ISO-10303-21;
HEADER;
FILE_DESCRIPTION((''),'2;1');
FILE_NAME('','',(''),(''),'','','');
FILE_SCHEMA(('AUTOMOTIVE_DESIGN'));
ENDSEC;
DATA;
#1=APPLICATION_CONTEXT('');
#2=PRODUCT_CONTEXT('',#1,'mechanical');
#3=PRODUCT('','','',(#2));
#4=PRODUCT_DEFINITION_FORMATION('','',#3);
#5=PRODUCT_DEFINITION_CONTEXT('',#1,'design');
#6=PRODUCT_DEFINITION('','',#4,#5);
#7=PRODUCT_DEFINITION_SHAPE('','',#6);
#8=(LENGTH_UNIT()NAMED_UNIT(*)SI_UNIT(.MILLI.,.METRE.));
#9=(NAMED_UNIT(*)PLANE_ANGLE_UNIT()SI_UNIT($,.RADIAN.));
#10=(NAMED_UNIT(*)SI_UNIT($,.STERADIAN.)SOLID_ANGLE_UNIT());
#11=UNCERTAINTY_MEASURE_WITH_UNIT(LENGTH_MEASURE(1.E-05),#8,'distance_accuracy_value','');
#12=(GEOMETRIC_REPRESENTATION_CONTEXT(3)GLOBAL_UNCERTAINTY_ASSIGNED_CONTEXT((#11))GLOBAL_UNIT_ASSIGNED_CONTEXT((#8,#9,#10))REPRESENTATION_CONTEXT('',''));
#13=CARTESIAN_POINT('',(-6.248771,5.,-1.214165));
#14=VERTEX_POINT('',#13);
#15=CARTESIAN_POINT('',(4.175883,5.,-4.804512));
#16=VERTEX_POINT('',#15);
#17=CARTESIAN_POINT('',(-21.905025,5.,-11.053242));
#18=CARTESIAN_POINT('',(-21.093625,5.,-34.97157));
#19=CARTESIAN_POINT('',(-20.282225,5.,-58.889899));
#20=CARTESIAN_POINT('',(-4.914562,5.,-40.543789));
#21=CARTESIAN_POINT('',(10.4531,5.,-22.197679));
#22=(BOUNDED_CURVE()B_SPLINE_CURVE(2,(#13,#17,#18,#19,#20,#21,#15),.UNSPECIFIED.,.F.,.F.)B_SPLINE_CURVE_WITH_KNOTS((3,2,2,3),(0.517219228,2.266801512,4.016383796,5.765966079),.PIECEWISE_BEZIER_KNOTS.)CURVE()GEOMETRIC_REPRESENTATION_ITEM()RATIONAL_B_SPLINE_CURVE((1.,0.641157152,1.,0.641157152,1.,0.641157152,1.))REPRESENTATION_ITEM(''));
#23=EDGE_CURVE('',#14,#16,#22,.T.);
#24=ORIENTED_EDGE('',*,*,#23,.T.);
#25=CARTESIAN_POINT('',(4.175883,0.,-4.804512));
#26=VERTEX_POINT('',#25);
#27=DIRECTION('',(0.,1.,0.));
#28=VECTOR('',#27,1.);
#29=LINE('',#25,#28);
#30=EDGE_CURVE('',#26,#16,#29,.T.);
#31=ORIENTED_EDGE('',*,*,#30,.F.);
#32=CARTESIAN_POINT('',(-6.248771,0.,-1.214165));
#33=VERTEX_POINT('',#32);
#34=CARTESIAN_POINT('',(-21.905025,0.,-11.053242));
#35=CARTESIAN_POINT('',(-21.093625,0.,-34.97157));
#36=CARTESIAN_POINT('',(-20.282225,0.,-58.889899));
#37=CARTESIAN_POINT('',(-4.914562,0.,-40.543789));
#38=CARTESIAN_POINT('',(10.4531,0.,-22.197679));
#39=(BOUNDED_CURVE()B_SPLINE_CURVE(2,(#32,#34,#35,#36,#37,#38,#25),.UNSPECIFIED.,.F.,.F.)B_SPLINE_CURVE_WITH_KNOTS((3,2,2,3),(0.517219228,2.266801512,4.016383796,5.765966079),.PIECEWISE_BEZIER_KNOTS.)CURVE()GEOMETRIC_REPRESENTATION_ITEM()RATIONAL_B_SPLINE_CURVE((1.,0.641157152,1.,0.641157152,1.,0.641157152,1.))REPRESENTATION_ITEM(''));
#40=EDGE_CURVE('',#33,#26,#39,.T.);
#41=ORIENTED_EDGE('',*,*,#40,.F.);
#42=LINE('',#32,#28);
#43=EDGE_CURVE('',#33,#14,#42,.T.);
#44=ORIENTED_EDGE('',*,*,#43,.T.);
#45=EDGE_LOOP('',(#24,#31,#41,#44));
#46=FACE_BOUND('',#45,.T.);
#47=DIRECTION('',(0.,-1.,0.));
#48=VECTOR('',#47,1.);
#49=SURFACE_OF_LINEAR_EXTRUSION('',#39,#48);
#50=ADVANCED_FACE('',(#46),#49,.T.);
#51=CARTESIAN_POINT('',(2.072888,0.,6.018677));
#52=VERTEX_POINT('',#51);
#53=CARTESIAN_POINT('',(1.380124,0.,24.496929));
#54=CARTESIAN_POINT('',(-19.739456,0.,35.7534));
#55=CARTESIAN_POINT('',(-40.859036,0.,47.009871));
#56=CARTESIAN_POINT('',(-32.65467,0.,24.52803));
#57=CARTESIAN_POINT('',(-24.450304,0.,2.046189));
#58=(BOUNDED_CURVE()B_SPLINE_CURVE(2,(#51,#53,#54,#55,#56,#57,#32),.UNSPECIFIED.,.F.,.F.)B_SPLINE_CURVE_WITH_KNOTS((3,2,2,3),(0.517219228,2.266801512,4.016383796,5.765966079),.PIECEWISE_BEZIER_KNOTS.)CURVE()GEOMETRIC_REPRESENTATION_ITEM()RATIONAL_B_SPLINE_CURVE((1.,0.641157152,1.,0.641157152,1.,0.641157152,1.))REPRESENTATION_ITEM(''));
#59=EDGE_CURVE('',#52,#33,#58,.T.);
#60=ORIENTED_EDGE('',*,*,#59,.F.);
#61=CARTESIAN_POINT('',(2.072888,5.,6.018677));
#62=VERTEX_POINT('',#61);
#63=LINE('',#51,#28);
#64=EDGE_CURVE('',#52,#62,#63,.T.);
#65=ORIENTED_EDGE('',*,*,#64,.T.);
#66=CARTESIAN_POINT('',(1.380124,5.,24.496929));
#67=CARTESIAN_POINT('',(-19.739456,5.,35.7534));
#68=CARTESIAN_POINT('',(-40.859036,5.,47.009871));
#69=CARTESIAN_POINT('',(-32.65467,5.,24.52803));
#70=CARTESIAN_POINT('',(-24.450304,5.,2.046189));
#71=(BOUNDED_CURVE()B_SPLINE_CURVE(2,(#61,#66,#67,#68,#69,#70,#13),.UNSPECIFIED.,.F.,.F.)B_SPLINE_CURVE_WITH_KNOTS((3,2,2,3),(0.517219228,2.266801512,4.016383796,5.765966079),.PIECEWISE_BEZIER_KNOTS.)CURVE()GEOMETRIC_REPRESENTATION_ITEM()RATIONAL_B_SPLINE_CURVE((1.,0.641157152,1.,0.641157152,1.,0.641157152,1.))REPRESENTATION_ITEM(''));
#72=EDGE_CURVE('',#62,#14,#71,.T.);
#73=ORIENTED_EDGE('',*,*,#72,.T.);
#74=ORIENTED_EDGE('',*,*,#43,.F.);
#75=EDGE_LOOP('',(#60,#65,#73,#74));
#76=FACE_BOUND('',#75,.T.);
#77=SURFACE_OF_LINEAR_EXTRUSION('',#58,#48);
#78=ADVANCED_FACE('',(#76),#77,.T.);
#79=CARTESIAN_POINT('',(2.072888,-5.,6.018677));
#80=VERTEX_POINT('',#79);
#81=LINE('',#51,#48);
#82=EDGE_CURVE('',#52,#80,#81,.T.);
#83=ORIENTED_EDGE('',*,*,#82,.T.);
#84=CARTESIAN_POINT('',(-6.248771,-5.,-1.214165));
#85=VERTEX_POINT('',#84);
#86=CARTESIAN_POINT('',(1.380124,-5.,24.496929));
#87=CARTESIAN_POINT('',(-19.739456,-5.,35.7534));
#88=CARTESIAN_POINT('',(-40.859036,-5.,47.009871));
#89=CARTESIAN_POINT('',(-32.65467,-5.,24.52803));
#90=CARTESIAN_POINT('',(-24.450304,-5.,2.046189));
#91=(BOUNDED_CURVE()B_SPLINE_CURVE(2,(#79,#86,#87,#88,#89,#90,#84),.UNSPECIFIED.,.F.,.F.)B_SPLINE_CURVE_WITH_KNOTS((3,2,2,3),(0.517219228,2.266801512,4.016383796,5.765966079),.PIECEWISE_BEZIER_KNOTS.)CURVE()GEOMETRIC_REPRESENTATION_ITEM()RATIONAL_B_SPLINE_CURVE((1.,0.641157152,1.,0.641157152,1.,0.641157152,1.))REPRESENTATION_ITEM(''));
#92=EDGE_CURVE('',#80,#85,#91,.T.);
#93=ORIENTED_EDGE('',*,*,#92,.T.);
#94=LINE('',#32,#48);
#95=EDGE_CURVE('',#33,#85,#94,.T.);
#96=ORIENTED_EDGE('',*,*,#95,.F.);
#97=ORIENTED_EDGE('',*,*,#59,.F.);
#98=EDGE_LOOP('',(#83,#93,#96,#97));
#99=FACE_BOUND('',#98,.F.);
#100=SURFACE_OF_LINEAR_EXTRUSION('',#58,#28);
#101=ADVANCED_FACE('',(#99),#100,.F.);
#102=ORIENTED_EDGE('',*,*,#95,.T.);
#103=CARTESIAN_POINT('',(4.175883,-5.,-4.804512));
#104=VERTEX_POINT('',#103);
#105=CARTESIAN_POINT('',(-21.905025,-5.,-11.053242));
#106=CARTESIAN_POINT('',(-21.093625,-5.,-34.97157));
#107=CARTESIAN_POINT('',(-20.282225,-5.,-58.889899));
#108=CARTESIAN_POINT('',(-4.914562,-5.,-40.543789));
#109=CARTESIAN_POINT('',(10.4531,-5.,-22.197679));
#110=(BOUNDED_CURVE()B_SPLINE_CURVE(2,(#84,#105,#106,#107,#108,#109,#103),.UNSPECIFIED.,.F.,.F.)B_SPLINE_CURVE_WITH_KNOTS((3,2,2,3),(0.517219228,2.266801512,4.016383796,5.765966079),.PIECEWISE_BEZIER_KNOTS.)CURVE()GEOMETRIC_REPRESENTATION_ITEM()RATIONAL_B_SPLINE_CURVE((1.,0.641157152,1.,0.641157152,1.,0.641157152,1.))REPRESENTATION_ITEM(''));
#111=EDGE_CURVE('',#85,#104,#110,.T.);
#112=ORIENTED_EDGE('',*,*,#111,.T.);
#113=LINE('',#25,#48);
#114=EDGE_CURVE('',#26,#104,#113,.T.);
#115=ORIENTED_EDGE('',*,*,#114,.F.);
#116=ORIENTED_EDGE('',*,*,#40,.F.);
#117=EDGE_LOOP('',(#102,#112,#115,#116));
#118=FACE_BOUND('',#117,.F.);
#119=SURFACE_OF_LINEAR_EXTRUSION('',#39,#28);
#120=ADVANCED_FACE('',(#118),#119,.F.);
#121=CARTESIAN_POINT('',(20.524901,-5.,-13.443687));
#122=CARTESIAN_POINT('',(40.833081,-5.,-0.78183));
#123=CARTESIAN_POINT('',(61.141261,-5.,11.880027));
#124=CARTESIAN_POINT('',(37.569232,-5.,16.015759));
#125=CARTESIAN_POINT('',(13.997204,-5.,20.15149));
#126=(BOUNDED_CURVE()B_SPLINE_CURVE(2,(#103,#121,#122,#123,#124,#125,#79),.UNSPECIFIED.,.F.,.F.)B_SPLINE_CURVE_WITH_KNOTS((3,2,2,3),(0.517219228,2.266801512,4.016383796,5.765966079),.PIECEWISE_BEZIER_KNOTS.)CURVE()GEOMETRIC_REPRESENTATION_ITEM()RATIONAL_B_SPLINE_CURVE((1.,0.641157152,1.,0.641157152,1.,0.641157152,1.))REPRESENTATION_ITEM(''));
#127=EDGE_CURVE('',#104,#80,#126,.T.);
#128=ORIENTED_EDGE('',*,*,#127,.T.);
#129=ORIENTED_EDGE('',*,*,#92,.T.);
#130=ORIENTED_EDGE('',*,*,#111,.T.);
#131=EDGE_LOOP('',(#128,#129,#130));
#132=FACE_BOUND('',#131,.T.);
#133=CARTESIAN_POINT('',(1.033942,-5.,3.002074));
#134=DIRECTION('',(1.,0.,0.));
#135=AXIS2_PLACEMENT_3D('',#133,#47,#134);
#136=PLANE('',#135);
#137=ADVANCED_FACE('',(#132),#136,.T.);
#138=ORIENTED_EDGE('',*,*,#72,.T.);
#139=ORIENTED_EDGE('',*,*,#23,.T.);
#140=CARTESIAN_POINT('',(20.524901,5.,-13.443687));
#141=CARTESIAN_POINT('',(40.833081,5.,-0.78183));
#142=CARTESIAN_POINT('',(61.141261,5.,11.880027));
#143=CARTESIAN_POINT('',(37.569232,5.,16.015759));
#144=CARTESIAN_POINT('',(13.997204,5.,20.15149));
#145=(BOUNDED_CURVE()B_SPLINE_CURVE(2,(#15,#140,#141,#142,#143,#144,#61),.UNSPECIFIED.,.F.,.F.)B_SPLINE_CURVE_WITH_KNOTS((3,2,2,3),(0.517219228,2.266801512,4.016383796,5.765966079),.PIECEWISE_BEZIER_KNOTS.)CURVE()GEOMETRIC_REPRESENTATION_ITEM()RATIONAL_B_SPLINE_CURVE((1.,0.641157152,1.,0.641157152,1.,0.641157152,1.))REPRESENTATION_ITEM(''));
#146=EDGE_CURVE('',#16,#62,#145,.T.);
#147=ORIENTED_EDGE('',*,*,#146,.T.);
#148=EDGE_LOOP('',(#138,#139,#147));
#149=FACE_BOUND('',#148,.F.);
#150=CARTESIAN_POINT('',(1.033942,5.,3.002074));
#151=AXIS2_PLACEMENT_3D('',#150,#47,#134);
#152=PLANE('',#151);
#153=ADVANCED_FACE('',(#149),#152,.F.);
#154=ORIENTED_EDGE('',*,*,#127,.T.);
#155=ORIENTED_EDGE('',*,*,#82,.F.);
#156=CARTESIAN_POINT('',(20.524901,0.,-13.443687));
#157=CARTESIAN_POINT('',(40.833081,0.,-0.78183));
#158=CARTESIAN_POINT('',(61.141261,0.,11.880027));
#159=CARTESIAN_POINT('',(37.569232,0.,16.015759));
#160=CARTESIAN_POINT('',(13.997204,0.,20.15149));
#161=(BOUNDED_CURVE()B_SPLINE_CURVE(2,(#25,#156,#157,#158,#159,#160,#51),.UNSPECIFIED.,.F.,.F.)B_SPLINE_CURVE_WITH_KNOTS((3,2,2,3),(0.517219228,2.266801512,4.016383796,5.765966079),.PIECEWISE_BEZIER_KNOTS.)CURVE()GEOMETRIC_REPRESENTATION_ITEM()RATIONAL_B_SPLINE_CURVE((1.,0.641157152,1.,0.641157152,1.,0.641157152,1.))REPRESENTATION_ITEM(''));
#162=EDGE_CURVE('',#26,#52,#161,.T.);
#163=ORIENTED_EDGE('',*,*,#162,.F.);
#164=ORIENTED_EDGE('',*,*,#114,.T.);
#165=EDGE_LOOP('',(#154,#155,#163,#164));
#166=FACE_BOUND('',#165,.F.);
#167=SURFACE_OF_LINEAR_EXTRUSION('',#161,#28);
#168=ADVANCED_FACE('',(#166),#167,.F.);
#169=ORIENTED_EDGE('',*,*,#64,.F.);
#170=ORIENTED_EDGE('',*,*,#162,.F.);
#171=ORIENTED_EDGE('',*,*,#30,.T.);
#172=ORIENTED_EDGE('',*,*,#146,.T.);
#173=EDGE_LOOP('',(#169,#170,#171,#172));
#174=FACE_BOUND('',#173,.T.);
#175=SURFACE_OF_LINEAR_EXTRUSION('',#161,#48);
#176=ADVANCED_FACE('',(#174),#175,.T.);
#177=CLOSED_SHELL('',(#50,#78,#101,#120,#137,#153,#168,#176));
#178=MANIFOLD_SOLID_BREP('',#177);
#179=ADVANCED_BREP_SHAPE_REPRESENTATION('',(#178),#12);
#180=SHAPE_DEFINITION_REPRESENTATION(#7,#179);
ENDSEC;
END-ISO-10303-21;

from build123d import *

# Parameters (mm, degrees)
F1_DEPTH      = 5
F1_DEPTH_BACK = 5


with BuildPart() as f1:
    # F0 (on Front) → F1 (new body, two sides)
    with BuildSketch(Plane.XZ) as f1_sk:
        with BuildLine():
            add(Edge.make_bspline(
                [(2.0728880566, 6.0186772974), (-0.5625396232, 2.8951433626), (0, 0)],
                knots=[5.7659660793, 5.7659660793, 5.7659660793, 6.2831853072, 6.2831853072, 6.2831853072], degree=2, weights=[1, 0.9667464851, 1]))
            add(Edge.make_bspline(
                [(0, 0), (2.225997888, 1.9347452856), (2.0728880566, 6.0186772974)],
                knots=[0, 0, 0, 0.5172192279, 0.5172192279, 0.5172192279], degree=2, weights=[1, 0.9667464851, 1]))
        make_face()
        with BuildLine():
            add(Edge.make_bspline(
                [(0, 0), (0.5625396232, -2.8951433626), (4.1758834084, -4.8045123649)],
                knots=[0, 0, 0, 0.5172192279, 0.5172192279, 0.5172192279], degree=2, weights=[1, 0.9667464851, 1]))
            add(Edge.make_bspline(
                [(-6.248771465, -1.2141649325), (-2.225997888, -1.9347452856), (0, 0)],
                knots=[5.7659660793, 5.7659660793, 5.7659660793, 6.2831853072, 6.2831853072, 6.2831853072], degree=2, weights=[1, 0.9667464851, 1]))
            add(Edge.make_bspline(
                [(-6.248771465, -1.2141649325), (-21.9050246836, -11.0532421656), (-21.0936248675, -34.9715703822), (-20.2822250514, -58.8898985989), (-4.9145624269, -40.543788935), (10.4531001976, -22.197679271), (4.1758834084, -4.8045123649)],
                knots=[0.5172192279, 0.5172192279, 0.5172192279, 2.2668015117, 2.2668015117, 4.0163837955, 4.0163837955, 5.7659660793, 5.7659660793, 5.7659660793], degree=2, weights=[1, 0.6411571519, 1, 0.6411571519, 1, 0.6411571519, 1]))
        make_face()
        with BuildLine():
            add(Edge.make_bspline(
                [(-6.248771465, -1.2141649325), (-2.225997888, -1.9347452856), (0, 0)],
                knots=[5.7659660793, 5.7659660793, 5.7659660793, 6.2831853072, 6.2831853072, 6.2831853072], degree=2, weights=[1, 0.9667464851, 1]))
            add(Edge.make_bspline(
                [(0, 0), (-2.7885375112, 0.9603980769), (-6.248771465, -1.2141649325)],
                knots=[0, 0, 0, 0.5172192279, 0.5172192279, 0.5172192279], degree=2, weights=[1, 0.9667464851, 1]))
        make_face()
        with BuildLine():
            add(Edge.make_bspline(
                [(0, 0), (2.225997888, 1.9347452856), (2.0728880566, 6.0186772974)],
                knots=[0, 0, 0, 0.5172192279, 0.5172192279, 0.5172192279], degree=2, weights=[1, 0.9667464851, 1]))
            add(Edge.make_bspline(
                [(4.1758834084, -4.8045123649), (2.7885375112, -0.9603980769), (0, 0)],
                knots=[5.7659660793, 5.7659660793, 5.7659660793, 6.2831853072, 6.2831853072, 6.2831853072], degree=2, weights=[1, 0.9667464851, 1]))
            add(Edge.make_bspline(
                [(4.1758834084, -4.8045123649), (20.5249008514, -13.4436867637), (40.833080795, -0.7818298021), (61.1412607386, 11.8800271596), (37.5692323968, 16.0157585573), (13.997204055, 20.1514899549), (2.0728880566, 6.0186772974)],
                knots=[0.5172192279, 0.5172192279, 0.5172192279, 2.2668015117, 2.2668015117, 4.0163837955, 4.0163837955, 5.7659660793, 5.7659660793, 5.7659660793], degree=2, weights=[1, 0.6411571519, 1, 0.6411571519, 1, 0.6411571519, 1]))
        make_face()
        with BuildLine():
            add(Edge.make_bspline(
                [(4.1758834084, -4.8045123649), (2.7885375112, -0.9603980769), (0, 0)],
                knots=[5.7659660793, 5.7659660793, 5.7659660793, 6.2831853072, 6.2831853072, 6.2831853072], degree=2, weights=[1, 0.9667464851, 1]))
            add(Edge.make_bspline(
                [(0, 0), (0.5625396232, -2.8951433626), (4.1758834084, -4.8045123649)],
                knots=[0, 0, 0, 0.5172192279, 0.5172192279, 0.5172192279], degree=2, weights=[1, 0.9667464851, 1]))
        make_face()
        with BuildLine():
            add(Edge.make_bspline(
                [(0, 0), (-2.7885375112, 0.9603980769), (-6.248771465, -1.2141649325)],
                knots=[0, 0, 0, 0.5172192279, 0.5172192279, 0.5172192279], degree=2, weights=[1, 0.9667464851, 1]))
            add(Edge.make_bspline(
                [(2.0728880566, 6.0186772974), (-0.5625396232, 2.8951433626), (0, 0)],
                knots=[5.7659660793, 5.7659660793, 5.7659660793, 6.2831853072, 6.2831853072, 6.2831853072], degree=2, weights=[1, 0.9667464851, 1]))
            add(Edge.make_bspline(
                [(2.0728880566, 6.0186772974), (1.3801238323, 24.4969289293), (-19.7394559275, 35.7534001843), (-40.8590356872, 47.0098714392), (-32.6546699699, 24.5280303777), (-24.4503042526, 2.0461893161), (-6.248771465, -1.2141649325)],
                knots=[0.5172192279, 0.5172192279, 0.5172192279, 2.2668015117, 2.2668015117, 4.0163837955, 4.0163837955, 5.7659660793, 5.7659660793, 5.7659660793], degree=2, weights=[1, 0.6411571519, 1, 0.6411571519, 1, 0.6411571519, 1]))
        make_face()
    extrude(amount=F1_DEPTH)
    extrude(f1_sk.sketch, amount=-F1_DEPTH_BACK)


solid = f1.part
